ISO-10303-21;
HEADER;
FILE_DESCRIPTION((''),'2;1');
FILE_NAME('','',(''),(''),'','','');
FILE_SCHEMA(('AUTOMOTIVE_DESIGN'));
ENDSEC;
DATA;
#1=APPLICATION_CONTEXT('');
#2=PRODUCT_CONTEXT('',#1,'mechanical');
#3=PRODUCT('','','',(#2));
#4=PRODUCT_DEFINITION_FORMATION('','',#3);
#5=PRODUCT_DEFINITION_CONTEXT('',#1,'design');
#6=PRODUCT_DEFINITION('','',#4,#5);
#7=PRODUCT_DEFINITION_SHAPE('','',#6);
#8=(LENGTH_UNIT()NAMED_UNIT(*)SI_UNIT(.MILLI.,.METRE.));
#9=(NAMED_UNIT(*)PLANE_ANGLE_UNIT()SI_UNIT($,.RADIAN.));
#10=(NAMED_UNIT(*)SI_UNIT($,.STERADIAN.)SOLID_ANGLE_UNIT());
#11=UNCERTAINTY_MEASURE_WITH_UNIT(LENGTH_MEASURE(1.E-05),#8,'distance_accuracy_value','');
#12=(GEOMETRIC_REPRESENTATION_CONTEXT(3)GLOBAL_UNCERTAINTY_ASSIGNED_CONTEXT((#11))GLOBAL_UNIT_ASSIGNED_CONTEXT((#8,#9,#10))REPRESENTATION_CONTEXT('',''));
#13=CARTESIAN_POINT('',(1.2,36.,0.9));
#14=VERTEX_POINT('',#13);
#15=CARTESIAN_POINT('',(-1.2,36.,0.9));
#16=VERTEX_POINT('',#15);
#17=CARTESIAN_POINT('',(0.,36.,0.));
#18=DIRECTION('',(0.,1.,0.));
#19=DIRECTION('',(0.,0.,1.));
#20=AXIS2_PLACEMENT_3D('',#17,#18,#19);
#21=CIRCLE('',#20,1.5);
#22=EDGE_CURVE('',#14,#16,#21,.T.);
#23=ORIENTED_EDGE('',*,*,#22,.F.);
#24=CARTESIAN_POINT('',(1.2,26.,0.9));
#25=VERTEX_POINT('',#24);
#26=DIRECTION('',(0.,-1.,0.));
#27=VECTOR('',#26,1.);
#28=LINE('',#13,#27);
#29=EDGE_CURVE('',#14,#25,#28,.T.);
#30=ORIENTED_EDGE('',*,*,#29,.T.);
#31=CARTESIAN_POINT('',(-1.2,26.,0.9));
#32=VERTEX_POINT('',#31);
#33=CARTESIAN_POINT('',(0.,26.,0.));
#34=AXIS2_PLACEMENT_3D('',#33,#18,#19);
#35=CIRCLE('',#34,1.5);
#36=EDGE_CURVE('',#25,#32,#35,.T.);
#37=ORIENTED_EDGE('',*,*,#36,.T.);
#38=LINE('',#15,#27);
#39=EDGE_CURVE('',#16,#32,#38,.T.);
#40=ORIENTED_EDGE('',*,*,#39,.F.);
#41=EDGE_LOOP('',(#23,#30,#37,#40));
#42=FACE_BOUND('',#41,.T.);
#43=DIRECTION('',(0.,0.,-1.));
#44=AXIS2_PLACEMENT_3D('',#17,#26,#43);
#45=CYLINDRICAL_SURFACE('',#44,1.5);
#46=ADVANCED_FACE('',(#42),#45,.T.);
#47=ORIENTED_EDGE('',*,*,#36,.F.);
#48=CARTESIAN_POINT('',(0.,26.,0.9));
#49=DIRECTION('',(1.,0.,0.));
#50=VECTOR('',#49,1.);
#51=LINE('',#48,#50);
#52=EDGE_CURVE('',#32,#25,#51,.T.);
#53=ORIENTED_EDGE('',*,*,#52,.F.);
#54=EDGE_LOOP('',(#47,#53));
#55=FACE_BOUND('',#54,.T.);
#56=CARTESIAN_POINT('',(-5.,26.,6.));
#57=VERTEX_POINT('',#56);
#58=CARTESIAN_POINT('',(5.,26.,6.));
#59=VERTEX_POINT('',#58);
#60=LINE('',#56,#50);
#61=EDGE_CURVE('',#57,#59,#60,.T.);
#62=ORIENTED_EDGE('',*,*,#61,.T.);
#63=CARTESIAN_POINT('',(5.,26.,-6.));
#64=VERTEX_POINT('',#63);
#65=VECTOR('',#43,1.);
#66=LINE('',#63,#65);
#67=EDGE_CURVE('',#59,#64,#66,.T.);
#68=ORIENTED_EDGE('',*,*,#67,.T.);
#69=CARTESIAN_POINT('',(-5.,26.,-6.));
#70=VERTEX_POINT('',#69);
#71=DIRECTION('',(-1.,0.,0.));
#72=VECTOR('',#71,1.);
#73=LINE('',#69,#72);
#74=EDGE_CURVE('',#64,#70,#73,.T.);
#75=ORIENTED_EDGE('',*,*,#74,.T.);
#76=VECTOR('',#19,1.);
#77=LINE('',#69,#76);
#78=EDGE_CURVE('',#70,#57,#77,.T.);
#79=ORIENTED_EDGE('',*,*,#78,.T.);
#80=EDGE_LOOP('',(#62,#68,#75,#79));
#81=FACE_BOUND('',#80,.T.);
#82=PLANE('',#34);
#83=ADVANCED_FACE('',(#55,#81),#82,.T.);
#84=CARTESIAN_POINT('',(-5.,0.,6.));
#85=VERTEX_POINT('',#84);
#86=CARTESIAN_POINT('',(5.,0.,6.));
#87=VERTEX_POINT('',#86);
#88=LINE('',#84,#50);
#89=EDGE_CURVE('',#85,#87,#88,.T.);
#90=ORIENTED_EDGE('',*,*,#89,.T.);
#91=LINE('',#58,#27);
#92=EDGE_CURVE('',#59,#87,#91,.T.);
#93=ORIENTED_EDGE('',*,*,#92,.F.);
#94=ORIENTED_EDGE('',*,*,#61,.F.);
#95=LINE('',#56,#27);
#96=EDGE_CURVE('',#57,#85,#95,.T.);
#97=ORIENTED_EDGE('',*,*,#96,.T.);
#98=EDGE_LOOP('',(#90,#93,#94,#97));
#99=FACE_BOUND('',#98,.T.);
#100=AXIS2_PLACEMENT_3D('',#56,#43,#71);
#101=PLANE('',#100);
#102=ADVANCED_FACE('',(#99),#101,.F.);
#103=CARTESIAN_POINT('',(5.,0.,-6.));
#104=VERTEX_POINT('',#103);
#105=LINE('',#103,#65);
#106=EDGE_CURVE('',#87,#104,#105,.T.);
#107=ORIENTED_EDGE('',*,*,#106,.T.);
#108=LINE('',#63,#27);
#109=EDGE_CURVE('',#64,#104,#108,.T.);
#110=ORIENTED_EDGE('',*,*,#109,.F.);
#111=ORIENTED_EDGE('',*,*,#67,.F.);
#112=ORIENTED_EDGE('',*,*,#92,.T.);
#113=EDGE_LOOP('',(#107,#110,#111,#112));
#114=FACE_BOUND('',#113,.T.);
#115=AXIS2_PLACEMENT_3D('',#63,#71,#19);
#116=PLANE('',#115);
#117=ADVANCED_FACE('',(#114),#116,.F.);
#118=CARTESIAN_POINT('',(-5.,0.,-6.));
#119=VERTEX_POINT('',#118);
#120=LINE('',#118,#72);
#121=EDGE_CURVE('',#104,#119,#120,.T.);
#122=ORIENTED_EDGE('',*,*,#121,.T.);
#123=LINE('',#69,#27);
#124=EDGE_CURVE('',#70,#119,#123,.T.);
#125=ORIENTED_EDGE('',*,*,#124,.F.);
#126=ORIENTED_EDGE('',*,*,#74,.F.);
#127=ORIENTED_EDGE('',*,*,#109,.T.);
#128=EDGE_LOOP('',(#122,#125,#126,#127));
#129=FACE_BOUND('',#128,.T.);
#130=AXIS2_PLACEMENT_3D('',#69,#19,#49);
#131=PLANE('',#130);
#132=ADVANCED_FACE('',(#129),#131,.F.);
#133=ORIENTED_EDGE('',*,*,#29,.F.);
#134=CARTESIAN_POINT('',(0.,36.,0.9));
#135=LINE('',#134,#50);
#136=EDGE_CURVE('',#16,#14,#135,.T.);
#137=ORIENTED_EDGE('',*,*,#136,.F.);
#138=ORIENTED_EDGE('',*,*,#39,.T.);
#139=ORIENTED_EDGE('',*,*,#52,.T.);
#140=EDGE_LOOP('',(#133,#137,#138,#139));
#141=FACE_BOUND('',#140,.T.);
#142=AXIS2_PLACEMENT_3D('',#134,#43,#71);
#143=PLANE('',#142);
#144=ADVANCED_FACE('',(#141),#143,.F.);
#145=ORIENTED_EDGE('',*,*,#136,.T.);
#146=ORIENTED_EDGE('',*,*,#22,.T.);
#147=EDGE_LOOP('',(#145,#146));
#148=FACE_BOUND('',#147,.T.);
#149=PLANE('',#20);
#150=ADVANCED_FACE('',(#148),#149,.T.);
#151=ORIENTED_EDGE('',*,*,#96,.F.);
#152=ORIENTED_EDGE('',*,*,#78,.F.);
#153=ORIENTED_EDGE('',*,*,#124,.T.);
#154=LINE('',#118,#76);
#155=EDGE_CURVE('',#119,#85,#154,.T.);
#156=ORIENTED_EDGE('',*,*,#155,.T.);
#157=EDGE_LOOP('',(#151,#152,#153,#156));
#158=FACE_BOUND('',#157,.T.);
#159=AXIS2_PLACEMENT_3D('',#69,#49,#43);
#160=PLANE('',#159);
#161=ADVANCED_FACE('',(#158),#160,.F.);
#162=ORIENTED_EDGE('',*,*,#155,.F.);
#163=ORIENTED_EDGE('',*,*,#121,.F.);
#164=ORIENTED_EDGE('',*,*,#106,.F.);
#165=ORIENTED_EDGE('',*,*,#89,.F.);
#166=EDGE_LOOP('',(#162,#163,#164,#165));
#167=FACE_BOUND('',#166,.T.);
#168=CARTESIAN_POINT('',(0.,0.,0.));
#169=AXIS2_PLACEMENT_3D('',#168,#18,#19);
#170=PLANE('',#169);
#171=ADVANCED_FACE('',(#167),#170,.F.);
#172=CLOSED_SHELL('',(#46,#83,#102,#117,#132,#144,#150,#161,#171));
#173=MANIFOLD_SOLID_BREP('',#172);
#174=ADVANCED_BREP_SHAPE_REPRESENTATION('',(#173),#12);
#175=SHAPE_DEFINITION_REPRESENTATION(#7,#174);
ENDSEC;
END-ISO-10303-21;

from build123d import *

# Parameters (mm, degrees)
SKETCH2_W           = 10
SKETCH2_H           = 12
BOSS_EXTRUDE1_DEPTH = 26
BOSS_EXTRUDE2_DEPTH = 10


with BuildPart() as part:
    # Sketch2 → Boss-Extrude1 (new body)
    with BuildSketch(Plane(origin=(0, 0, 0), x_dir=(1, 0, 0), z_dir=(0, 1, 0))):
        Rectangle(SKETCH2_W, SKETCH2_H)
    extrude(amount=BOSS_EXTRUDE1_DEPTH)

    # Sketch3 → Boss-Extrude2 (add)
    with BuildSketch(Plane(origin=(0, 26, 0), x_dir=(1, 0, 0), z_dir=(0, 1, 0))):
        with BuildLine():
            ThreePointArc((1.5, 0), (1.060660172, 1.060660172), (0, 1.5))
            Line((0, 1.5), (0, -0.9))
            Line((0, -0.9), (1.2, -0.9))
            ThreePointArc((1.2, -0.9), (1.423024947, -0.474341649), (1.5, 0))
        make_face()
        with BuildLine():
            Line((0, -0.9), (0, 1.5))
            ThreePointArc((0, 1.5), (-1.341640786, 0.670820393), (-1.2, -0.9))
            Line((-1.2, -0.9), (0, -0.9))
        make_face()
    extrude(amount=BOSS_EXTRUDE2_DEPTH)


solid = part.part
